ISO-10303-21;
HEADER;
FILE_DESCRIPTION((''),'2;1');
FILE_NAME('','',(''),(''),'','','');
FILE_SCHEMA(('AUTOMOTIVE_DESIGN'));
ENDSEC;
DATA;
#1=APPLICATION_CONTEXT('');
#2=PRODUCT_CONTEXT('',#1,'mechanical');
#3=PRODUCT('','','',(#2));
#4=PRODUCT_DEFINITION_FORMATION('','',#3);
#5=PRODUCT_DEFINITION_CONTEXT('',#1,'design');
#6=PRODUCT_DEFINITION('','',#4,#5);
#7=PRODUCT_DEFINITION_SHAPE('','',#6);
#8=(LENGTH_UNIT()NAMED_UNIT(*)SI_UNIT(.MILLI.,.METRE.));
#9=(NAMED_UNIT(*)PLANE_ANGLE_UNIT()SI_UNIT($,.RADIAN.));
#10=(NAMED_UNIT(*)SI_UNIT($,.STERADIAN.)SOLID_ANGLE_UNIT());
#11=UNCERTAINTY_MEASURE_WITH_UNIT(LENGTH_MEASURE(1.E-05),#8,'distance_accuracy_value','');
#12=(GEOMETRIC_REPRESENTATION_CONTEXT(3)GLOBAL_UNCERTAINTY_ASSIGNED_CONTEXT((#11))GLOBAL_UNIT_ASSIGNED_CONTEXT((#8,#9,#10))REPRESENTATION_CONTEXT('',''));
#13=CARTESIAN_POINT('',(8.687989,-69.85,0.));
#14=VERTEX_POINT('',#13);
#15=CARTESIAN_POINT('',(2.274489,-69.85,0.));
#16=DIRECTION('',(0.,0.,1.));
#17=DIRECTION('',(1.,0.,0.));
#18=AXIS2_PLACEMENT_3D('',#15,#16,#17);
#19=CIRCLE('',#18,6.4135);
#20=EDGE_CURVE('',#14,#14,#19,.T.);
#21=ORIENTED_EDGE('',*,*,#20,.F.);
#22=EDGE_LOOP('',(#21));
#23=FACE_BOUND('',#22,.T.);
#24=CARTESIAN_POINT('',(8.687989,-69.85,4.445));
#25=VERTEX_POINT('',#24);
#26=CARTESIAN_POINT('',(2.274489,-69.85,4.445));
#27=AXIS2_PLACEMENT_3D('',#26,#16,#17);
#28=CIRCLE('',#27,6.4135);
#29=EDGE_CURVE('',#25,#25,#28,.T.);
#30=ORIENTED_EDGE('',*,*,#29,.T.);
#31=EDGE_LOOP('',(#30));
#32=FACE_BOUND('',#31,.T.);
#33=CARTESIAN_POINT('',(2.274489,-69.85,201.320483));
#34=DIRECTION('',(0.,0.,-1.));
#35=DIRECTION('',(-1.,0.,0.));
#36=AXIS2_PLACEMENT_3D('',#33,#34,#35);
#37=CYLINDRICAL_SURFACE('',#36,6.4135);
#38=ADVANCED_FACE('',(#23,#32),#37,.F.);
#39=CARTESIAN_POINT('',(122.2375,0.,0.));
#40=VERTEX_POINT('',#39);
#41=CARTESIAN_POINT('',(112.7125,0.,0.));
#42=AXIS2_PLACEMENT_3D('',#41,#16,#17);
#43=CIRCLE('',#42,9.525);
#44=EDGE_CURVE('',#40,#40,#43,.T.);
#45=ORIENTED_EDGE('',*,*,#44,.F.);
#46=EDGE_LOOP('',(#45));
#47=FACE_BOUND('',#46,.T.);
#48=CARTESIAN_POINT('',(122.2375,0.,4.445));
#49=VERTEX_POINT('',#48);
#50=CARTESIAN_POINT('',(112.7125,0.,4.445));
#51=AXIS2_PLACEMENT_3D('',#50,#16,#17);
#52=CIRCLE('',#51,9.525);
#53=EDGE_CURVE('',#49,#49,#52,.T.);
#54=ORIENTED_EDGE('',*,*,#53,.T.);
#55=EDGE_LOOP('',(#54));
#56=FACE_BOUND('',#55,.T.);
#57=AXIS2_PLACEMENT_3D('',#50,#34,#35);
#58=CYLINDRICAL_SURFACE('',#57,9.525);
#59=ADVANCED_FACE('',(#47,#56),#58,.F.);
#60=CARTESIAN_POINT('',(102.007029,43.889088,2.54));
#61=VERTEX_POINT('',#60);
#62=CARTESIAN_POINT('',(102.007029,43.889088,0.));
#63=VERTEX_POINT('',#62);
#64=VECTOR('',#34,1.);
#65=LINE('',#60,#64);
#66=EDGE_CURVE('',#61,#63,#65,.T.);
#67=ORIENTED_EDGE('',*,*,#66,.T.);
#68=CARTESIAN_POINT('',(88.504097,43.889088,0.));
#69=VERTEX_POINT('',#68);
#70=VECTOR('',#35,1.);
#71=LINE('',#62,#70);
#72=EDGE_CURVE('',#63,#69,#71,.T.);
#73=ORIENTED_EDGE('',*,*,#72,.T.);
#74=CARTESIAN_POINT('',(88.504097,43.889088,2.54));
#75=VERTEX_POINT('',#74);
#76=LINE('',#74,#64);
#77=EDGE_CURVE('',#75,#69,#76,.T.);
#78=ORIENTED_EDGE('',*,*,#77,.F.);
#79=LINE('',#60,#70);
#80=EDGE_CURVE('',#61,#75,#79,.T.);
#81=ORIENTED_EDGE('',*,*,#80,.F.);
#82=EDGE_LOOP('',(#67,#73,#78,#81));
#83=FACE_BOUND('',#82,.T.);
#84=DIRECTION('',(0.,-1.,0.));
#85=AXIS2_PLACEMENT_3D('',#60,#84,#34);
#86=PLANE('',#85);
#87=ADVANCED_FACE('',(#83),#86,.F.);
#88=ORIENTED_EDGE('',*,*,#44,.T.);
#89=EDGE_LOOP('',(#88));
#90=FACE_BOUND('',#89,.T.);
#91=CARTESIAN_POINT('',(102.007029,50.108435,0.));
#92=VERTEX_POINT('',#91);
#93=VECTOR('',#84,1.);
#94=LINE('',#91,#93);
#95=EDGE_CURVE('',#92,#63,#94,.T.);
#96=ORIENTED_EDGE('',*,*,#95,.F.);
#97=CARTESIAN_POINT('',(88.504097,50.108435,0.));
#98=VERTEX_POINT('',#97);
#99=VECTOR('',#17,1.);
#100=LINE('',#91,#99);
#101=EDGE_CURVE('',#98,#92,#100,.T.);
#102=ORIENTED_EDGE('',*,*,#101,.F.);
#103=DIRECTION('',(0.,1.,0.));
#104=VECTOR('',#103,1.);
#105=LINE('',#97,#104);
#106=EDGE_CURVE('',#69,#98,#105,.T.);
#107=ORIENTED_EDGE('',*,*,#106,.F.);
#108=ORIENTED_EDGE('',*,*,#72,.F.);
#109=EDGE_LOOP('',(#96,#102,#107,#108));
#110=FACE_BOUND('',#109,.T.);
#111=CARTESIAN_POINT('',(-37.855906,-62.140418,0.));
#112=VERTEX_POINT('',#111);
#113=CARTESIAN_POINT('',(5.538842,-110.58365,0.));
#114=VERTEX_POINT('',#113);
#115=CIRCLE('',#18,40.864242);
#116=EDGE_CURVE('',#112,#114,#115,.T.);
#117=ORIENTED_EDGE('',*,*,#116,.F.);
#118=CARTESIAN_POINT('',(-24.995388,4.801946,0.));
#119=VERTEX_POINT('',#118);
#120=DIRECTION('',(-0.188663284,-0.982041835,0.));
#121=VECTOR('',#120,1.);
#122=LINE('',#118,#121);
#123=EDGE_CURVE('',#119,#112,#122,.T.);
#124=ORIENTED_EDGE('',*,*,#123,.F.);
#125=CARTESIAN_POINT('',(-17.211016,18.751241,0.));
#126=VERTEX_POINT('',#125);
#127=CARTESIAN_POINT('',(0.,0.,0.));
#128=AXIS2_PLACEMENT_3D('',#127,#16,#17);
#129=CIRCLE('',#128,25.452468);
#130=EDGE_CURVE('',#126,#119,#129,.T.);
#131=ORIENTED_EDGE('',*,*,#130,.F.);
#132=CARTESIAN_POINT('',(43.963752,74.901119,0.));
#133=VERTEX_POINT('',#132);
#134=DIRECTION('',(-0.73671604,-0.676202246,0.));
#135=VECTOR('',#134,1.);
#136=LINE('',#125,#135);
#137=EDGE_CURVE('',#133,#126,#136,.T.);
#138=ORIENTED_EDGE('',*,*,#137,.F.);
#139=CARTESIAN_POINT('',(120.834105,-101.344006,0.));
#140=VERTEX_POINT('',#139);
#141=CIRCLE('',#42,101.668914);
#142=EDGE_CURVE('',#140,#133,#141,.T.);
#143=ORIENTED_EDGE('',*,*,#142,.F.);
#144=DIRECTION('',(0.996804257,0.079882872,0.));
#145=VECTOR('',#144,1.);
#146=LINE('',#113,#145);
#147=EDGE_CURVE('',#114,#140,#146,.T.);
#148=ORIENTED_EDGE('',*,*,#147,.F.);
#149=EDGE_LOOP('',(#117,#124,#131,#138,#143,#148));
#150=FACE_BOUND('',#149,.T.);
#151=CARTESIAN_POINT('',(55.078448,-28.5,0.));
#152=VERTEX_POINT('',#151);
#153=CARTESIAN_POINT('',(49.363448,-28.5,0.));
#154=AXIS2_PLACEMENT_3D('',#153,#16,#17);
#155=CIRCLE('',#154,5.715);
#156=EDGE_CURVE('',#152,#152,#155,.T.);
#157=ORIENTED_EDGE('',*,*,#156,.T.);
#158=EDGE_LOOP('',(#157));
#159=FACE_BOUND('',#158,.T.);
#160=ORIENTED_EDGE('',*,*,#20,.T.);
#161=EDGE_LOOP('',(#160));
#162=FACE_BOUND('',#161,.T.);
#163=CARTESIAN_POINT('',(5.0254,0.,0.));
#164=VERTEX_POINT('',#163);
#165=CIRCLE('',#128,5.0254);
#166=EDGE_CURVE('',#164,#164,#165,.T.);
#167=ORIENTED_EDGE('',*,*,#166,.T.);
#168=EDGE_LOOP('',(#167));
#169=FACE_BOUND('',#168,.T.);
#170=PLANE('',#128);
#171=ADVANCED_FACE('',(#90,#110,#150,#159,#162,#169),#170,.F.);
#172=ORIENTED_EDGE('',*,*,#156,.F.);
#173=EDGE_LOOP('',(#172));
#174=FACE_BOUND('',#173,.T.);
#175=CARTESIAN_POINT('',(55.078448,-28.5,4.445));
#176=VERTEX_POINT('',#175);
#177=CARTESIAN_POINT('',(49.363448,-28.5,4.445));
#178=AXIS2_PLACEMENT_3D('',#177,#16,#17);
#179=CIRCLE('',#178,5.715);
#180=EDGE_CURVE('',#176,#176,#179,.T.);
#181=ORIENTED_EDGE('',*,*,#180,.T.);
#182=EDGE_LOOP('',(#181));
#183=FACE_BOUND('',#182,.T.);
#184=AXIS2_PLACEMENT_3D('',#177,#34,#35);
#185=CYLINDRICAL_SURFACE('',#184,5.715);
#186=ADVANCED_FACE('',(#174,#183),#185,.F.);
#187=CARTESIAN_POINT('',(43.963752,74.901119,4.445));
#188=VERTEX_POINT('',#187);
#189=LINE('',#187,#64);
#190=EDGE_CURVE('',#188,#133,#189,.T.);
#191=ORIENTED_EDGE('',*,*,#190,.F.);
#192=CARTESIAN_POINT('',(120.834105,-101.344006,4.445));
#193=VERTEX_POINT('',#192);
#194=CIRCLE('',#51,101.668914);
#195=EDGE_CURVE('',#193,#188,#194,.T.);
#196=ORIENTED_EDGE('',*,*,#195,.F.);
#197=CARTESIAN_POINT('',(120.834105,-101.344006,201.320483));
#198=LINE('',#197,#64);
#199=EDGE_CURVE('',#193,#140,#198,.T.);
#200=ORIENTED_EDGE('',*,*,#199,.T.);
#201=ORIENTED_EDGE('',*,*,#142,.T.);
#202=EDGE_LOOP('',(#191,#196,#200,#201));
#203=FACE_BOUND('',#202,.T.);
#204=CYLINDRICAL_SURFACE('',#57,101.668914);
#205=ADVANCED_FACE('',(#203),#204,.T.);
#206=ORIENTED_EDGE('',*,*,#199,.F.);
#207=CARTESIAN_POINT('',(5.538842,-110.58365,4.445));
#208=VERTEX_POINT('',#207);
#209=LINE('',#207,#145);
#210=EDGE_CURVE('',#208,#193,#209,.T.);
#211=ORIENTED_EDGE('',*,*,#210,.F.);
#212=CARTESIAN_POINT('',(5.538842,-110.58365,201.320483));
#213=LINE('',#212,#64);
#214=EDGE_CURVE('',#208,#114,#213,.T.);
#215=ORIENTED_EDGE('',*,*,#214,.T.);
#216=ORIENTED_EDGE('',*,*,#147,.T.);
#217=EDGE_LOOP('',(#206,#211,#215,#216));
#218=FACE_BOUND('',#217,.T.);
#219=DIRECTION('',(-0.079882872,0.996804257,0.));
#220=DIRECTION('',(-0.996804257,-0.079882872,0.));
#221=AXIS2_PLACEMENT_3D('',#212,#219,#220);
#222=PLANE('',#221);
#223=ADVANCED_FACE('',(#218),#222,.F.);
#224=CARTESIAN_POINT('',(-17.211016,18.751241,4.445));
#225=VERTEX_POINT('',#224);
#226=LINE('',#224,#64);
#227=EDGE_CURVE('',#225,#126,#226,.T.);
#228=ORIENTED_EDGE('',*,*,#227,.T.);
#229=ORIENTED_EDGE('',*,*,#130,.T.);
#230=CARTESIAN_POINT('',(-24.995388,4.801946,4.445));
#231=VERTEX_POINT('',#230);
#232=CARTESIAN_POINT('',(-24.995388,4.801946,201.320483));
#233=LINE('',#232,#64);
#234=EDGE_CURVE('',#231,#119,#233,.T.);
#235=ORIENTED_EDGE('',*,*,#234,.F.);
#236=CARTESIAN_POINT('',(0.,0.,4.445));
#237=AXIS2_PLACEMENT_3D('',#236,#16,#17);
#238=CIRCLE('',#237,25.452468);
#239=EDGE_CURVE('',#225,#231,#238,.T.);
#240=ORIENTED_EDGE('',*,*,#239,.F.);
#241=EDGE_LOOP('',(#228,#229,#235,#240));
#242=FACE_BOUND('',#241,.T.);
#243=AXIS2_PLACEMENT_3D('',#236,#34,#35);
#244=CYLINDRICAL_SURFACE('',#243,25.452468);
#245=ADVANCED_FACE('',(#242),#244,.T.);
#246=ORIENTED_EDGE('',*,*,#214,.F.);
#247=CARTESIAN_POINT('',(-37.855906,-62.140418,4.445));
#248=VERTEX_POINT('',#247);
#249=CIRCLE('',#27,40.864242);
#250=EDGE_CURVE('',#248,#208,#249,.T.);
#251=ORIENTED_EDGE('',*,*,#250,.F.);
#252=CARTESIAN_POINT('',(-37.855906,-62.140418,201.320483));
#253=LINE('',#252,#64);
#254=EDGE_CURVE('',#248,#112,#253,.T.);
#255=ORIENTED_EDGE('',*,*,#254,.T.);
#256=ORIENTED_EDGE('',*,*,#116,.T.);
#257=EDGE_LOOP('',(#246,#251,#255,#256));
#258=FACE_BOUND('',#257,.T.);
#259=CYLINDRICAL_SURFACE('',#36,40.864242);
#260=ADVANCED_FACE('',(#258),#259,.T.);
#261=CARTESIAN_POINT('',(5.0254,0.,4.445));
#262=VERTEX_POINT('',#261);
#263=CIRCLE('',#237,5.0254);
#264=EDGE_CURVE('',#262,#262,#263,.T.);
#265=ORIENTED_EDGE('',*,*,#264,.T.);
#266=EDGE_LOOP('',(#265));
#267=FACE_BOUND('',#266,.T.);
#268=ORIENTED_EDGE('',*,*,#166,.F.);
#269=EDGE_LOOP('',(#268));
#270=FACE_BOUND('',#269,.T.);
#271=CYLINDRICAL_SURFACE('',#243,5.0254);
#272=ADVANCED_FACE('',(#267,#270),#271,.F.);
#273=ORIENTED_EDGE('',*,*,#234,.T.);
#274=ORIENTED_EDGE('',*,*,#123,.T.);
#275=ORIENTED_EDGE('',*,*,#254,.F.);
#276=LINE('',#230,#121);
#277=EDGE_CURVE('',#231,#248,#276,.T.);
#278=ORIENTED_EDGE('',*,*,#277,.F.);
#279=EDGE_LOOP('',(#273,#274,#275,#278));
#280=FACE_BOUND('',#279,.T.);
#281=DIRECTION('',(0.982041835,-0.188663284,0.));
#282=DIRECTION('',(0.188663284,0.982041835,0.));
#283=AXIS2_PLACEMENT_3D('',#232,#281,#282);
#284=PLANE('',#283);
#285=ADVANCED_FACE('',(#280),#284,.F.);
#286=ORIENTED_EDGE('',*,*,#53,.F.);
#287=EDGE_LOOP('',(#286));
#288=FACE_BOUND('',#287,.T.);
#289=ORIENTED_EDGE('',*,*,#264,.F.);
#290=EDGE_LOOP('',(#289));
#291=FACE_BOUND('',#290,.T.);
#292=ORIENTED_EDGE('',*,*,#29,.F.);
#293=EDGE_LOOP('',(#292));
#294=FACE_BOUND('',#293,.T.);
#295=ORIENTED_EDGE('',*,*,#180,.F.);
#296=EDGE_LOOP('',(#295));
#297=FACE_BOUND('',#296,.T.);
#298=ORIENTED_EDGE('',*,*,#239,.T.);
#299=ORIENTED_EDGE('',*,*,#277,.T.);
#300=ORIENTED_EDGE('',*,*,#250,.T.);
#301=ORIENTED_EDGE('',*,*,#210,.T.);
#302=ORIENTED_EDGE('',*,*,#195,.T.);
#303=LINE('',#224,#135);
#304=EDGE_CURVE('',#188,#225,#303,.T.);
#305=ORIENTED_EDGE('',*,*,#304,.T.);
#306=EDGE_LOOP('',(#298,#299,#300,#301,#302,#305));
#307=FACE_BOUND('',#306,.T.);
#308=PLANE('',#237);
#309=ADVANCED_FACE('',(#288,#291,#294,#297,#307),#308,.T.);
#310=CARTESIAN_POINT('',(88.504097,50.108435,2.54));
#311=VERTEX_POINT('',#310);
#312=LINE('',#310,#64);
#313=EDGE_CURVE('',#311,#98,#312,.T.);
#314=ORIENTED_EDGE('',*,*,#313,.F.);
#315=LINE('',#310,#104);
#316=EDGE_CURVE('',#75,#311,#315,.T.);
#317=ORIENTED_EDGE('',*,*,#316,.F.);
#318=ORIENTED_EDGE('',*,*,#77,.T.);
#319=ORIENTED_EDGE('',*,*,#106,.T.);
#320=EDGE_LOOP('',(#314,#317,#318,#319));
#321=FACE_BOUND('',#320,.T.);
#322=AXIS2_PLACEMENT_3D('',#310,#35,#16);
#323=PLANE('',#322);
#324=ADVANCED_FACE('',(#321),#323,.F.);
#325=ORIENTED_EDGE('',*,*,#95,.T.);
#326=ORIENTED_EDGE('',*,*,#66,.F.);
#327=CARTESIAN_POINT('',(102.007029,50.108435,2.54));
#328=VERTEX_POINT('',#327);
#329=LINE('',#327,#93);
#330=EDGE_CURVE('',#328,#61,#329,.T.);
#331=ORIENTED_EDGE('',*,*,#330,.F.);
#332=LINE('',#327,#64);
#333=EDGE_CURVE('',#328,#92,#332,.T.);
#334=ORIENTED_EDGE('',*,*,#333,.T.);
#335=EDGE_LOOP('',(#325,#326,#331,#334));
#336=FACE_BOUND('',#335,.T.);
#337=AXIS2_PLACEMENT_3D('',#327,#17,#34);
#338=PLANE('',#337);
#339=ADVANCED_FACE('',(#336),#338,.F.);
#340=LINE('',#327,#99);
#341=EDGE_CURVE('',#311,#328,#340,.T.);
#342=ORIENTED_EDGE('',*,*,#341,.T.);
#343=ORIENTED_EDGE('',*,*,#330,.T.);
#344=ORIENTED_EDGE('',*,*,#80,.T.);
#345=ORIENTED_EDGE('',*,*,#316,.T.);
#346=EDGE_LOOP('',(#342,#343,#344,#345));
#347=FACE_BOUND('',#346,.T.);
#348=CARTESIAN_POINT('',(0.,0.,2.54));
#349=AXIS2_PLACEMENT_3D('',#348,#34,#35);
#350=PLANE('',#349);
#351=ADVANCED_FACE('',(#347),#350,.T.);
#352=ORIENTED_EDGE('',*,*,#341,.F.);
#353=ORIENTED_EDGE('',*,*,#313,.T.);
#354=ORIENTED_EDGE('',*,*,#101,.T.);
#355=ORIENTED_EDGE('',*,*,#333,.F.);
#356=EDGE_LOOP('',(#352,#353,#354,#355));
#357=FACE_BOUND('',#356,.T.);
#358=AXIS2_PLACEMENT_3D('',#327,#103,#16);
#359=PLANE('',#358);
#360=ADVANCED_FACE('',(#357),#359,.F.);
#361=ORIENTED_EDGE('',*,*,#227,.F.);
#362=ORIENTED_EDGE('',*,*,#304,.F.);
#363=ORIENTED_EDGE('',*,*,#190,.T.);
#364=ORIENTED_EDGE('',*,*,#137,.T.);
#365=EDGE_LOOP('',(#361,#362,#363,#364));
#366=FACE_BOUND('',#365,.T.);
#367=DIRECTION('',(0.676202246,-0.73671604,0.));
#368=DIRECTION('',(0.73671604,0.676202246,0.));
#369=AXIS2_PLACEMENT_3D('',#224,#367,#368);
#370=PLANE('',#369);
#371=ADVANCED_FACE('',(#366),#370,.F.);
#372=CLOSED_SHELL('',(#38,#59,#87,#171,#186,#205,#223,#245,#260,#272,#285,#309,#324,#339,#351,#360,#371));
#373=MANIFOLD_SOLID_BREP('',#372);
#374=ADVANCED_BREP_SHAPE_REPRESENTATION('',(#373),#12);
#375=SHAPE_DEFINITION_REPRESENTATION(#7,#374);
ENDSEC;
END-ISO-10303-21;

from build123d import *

# Parameters (mm, degrees)
SKETCH1_R           = 5.0254
SKETCH1_R_2         = 9.525
BOSS_EXTRUDE1_DEPTH = 4.445
SKETCH3_R           = 5.715
CUT_EXTRUDE4_DEPTH  = 238.309326519
SKETCH2_R           = 6.4135
BOSS_EXTRUDE2_DEPTH = 4.445
SKETCH6_W           = 13.50293176
SKETCH6_H           = 6.21934711
CUT_EXTRUDE6_DEPTH  = 2.54


with BuildPart() as part:
    # Sketch1 → Boss-Extrude1 (new body)
    with BuildSketch(Plane.XY):
        with BuildLine():
            Line((-17.211015945, 18.751241343), (43.963752379, 74.901119305))
            ThreePointArc((43.963752379, 74.901119305), (214.381413502, 0), (43.963752379, -74.901119305))
            Line((43.963752379, -74.901119305), (-17.211015945, -18.751241343))
            ThreePointArc((-17.211015945, -18.751241343), (-25.452467891, 0), (-17.211015945, 18.751241343))
        make_face()
        Circle(SKETCH1_R, mode=Mode.SUBTRACT)
        with Locations((112.7125, 0)):
            Circle(SKETCH1_R_2, mode=Mode.SUBTRACT)
    extrude(amount=BOSS_EXTRUDE1_DEPTH)

    # Sketch3 → Cut-Extrude4 (cut, through all)
    with BuildSketch(Plane.XY):
        with Locations((49.363448016, -28.5)):
            Circle(SKETCH3_R)
    extrude(amount=CUT_EXTRUDE4_DEPTH, mode=Mode.SUBTRACT)

    # Sketch2 → Boss-Extrude2 (add)
    with BuildSketch(Plane.XY):
        with BuildLine():
            Line((-24.995388267, 4.801946178), (-37.855905828, -62.140417979))
            ThreePointArc((-37.855905828, -62.140417979), (-28.163364792, -97.115789925), (5.538841954, -110.583650001))
            Line((5.538841954, -110.583650001), (120.834104773, -101.344005785))
            ThreePointArc((120.834104773, -101.344005785), (79.641074663, -96.139735796), (43.963752379, -74.901119305))
            Line((43.963752379, -74.901119305), (-17.211015945, -18.751241343))
            ThreePointArc((-17.211015945, -18.751241343), (-24.166780914, -7.987166081), (-24.995388267, 4.801946178))
        make_face()
        with Locations((2.274488984, -69.85)):
            Circle(SKETCH2_R, mode=Mode.SUBTRACT)
    extrude(amount=BOSS_EXTRUDE2_DEPTH)

    # Sketch6 → Cut-Extrude6 (cut)
    with BuildSketch(Plane(origin=(0, 0, 0), x_dir=(-1, 0, 0), z_dir=(0, 0, -1))):
        with Locations((-95.255563191, 46.998761557)):
            Rectangle(SKETCH6_W, SKETCH6_H)
    extrude(amount=-CUT_EXTRUDE6_DEPTH, mode=Mode.SUBTRACT)


solid = part.part
